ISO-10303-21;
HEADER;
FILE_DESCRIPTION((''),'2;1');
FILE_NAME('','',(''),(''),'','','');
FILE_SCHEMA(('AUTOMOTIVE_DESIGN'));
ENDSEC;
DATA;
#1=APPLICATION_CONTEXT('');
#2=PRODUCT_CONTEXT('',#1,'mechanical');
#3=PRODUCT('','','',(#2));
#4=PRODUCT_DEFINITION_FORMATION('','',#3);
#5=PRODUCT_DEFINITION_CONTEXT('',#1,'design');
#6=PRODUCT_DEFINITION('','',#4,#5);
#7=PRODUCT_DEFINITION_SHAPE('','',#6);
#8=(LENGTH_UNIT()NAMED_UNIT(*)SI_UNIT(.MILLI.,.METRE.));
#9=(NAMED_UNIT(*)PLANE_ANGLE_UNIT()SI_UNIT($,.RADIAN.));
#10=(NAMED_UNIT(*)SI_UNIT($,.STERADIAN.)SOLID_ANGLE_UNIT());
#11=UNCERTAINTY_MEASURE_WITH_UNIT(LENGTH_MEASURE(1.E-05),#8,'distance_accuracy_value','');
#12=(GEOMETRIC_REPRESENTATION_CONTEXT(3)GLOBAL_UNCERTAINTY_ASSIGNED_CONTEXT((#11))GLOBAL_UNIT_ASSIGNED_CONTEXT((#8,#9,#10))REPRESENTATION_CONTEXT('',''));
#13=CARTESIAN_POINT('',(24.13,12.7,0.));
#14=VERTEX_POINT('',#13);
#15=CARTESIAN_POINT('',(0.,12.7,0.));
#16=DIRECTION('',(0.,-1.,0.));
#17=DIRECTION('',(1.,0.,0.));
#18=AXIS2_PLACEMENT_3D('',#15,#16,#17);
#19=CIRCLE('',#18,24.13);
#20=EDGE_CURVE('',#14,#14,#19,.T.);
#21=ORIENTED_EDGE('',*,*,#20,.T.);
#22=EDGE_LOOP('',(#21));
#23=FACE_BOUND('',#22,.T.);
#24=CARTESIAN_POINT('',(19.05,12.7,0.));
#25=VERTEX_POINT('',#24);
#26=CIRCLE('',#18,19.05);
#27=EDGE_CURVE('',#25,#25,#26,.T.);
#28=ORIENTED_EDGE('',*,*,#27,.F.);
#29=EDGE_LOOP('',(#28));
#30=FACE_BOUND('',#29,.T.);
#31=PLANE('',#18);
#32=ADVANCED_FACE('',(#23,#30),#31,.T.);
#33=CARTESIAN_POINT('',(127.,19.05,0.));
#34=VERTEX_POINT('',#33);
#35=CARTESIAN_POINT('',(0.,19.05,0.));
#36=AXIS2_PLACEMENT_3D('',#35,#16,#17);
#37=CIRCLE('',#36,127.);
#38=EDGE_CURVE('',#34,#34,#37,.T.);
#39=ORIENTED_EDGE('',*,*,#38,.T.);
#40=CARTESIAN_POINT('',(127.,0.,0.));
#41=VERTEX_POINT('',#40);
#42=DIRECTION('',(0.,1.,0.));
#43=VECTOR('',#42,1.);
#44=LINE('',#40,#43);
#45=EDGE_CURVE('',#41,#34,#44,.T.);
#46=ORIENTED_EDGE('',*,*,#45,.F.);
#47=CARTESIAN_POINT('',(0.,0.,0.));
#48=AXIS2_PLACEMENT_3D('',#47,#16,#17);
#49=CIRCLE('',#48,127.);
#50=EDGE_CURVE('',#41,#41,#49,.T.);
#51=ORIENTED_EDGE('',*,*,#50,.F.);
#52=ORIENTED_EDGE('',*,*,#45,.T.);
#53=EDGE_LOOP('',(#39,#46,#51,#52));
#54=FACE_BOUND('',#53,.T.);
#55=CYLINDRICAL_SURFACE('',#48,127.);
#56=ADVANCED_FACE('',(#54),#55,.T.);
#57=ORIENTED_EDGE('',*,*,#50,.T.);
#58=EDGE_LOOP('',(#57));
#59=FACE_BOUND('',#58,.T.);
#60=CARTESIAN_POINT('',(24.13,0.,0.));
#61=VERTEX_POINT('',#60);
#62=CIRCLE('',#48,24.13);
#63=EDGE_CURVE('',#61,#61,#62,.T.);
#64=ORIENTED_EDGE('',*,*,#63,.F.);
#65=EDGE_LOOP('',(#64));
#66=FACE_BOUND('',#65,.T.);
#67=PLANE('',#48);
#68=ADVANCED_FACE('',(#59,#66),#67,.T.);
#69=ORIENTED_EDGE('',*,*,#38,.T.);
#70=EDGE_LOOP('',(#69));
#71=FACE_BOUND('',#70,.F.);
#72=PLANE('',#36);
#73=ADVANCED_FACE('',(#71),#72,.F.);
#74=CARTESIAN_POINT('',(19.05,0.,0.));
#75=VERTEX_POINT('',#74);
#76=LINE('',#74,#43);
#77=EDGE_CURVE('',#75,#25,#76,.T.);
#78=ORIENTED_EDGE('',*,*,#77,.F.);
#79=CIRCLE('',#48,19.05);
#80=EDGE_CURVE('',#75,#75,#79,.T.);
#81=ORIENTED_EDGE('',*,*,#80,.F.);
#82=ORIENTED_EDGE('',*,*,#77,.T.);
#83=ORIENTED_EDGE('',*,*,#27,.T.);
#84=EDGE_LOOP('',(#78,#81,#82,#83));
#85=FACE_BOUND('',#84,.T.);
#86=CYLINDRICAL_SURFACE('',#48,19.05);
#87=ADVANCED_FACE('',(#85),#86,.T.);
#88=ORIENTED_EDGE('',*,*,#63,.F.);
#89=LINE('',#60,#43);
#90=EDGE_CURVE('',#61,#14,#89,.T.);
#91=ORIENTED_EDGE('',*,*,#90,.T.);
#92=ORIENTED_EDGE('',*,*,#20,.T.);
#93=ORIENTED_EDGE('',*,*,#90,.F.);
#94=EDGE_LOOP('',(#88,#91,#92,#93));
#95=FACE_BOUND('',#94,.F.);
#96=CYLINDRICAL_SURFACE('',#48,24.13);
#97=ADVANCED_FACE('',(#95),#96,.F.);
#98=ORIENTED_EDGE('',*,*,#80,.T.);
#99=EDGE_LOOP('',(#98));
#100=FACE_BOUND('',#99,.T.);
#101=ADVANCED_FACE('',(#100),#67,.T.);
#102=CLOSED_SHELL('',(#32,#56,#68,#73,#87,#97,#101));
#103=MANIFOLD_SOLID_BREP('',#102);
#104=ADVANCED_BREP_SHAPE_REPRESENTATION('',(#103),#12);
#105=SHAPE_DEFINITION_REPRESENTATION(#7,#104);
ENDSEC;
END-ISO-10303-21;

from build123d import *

# Parameters (mm, degrees)
F0_R     = 127
F0_R_2   = 24.13
F0_R_3   = 19.05
F1_DEPTH = 19.05
F2_DEPTH = 12.7


with BuildPart() as f1:
    # F0 (on Front) → F1 (new body)
    with BuildSketch(Plane.XZ):
        Circle(F0_R)
        Circle(F0_R_2, mode=Mode.SUBTRACT)
        Circle(F0_R_2)
        Circle(F0_R_3, mode=Mode.SUBTRACT)
        Circle(F0_R_3)
    extrude(amount=-F1_DEPTH)

    # F0 (on Front) → F2 (cut)
    with BuildSketch(Plane.XZ):
        Circle(F0_R_2)
        Circle(F0_R_3, mode=Mode.SUBTRACT)
    extrude(amount=-F2_DEPTH, mode=Mode.SUBTRACT)


solid = f1.part
